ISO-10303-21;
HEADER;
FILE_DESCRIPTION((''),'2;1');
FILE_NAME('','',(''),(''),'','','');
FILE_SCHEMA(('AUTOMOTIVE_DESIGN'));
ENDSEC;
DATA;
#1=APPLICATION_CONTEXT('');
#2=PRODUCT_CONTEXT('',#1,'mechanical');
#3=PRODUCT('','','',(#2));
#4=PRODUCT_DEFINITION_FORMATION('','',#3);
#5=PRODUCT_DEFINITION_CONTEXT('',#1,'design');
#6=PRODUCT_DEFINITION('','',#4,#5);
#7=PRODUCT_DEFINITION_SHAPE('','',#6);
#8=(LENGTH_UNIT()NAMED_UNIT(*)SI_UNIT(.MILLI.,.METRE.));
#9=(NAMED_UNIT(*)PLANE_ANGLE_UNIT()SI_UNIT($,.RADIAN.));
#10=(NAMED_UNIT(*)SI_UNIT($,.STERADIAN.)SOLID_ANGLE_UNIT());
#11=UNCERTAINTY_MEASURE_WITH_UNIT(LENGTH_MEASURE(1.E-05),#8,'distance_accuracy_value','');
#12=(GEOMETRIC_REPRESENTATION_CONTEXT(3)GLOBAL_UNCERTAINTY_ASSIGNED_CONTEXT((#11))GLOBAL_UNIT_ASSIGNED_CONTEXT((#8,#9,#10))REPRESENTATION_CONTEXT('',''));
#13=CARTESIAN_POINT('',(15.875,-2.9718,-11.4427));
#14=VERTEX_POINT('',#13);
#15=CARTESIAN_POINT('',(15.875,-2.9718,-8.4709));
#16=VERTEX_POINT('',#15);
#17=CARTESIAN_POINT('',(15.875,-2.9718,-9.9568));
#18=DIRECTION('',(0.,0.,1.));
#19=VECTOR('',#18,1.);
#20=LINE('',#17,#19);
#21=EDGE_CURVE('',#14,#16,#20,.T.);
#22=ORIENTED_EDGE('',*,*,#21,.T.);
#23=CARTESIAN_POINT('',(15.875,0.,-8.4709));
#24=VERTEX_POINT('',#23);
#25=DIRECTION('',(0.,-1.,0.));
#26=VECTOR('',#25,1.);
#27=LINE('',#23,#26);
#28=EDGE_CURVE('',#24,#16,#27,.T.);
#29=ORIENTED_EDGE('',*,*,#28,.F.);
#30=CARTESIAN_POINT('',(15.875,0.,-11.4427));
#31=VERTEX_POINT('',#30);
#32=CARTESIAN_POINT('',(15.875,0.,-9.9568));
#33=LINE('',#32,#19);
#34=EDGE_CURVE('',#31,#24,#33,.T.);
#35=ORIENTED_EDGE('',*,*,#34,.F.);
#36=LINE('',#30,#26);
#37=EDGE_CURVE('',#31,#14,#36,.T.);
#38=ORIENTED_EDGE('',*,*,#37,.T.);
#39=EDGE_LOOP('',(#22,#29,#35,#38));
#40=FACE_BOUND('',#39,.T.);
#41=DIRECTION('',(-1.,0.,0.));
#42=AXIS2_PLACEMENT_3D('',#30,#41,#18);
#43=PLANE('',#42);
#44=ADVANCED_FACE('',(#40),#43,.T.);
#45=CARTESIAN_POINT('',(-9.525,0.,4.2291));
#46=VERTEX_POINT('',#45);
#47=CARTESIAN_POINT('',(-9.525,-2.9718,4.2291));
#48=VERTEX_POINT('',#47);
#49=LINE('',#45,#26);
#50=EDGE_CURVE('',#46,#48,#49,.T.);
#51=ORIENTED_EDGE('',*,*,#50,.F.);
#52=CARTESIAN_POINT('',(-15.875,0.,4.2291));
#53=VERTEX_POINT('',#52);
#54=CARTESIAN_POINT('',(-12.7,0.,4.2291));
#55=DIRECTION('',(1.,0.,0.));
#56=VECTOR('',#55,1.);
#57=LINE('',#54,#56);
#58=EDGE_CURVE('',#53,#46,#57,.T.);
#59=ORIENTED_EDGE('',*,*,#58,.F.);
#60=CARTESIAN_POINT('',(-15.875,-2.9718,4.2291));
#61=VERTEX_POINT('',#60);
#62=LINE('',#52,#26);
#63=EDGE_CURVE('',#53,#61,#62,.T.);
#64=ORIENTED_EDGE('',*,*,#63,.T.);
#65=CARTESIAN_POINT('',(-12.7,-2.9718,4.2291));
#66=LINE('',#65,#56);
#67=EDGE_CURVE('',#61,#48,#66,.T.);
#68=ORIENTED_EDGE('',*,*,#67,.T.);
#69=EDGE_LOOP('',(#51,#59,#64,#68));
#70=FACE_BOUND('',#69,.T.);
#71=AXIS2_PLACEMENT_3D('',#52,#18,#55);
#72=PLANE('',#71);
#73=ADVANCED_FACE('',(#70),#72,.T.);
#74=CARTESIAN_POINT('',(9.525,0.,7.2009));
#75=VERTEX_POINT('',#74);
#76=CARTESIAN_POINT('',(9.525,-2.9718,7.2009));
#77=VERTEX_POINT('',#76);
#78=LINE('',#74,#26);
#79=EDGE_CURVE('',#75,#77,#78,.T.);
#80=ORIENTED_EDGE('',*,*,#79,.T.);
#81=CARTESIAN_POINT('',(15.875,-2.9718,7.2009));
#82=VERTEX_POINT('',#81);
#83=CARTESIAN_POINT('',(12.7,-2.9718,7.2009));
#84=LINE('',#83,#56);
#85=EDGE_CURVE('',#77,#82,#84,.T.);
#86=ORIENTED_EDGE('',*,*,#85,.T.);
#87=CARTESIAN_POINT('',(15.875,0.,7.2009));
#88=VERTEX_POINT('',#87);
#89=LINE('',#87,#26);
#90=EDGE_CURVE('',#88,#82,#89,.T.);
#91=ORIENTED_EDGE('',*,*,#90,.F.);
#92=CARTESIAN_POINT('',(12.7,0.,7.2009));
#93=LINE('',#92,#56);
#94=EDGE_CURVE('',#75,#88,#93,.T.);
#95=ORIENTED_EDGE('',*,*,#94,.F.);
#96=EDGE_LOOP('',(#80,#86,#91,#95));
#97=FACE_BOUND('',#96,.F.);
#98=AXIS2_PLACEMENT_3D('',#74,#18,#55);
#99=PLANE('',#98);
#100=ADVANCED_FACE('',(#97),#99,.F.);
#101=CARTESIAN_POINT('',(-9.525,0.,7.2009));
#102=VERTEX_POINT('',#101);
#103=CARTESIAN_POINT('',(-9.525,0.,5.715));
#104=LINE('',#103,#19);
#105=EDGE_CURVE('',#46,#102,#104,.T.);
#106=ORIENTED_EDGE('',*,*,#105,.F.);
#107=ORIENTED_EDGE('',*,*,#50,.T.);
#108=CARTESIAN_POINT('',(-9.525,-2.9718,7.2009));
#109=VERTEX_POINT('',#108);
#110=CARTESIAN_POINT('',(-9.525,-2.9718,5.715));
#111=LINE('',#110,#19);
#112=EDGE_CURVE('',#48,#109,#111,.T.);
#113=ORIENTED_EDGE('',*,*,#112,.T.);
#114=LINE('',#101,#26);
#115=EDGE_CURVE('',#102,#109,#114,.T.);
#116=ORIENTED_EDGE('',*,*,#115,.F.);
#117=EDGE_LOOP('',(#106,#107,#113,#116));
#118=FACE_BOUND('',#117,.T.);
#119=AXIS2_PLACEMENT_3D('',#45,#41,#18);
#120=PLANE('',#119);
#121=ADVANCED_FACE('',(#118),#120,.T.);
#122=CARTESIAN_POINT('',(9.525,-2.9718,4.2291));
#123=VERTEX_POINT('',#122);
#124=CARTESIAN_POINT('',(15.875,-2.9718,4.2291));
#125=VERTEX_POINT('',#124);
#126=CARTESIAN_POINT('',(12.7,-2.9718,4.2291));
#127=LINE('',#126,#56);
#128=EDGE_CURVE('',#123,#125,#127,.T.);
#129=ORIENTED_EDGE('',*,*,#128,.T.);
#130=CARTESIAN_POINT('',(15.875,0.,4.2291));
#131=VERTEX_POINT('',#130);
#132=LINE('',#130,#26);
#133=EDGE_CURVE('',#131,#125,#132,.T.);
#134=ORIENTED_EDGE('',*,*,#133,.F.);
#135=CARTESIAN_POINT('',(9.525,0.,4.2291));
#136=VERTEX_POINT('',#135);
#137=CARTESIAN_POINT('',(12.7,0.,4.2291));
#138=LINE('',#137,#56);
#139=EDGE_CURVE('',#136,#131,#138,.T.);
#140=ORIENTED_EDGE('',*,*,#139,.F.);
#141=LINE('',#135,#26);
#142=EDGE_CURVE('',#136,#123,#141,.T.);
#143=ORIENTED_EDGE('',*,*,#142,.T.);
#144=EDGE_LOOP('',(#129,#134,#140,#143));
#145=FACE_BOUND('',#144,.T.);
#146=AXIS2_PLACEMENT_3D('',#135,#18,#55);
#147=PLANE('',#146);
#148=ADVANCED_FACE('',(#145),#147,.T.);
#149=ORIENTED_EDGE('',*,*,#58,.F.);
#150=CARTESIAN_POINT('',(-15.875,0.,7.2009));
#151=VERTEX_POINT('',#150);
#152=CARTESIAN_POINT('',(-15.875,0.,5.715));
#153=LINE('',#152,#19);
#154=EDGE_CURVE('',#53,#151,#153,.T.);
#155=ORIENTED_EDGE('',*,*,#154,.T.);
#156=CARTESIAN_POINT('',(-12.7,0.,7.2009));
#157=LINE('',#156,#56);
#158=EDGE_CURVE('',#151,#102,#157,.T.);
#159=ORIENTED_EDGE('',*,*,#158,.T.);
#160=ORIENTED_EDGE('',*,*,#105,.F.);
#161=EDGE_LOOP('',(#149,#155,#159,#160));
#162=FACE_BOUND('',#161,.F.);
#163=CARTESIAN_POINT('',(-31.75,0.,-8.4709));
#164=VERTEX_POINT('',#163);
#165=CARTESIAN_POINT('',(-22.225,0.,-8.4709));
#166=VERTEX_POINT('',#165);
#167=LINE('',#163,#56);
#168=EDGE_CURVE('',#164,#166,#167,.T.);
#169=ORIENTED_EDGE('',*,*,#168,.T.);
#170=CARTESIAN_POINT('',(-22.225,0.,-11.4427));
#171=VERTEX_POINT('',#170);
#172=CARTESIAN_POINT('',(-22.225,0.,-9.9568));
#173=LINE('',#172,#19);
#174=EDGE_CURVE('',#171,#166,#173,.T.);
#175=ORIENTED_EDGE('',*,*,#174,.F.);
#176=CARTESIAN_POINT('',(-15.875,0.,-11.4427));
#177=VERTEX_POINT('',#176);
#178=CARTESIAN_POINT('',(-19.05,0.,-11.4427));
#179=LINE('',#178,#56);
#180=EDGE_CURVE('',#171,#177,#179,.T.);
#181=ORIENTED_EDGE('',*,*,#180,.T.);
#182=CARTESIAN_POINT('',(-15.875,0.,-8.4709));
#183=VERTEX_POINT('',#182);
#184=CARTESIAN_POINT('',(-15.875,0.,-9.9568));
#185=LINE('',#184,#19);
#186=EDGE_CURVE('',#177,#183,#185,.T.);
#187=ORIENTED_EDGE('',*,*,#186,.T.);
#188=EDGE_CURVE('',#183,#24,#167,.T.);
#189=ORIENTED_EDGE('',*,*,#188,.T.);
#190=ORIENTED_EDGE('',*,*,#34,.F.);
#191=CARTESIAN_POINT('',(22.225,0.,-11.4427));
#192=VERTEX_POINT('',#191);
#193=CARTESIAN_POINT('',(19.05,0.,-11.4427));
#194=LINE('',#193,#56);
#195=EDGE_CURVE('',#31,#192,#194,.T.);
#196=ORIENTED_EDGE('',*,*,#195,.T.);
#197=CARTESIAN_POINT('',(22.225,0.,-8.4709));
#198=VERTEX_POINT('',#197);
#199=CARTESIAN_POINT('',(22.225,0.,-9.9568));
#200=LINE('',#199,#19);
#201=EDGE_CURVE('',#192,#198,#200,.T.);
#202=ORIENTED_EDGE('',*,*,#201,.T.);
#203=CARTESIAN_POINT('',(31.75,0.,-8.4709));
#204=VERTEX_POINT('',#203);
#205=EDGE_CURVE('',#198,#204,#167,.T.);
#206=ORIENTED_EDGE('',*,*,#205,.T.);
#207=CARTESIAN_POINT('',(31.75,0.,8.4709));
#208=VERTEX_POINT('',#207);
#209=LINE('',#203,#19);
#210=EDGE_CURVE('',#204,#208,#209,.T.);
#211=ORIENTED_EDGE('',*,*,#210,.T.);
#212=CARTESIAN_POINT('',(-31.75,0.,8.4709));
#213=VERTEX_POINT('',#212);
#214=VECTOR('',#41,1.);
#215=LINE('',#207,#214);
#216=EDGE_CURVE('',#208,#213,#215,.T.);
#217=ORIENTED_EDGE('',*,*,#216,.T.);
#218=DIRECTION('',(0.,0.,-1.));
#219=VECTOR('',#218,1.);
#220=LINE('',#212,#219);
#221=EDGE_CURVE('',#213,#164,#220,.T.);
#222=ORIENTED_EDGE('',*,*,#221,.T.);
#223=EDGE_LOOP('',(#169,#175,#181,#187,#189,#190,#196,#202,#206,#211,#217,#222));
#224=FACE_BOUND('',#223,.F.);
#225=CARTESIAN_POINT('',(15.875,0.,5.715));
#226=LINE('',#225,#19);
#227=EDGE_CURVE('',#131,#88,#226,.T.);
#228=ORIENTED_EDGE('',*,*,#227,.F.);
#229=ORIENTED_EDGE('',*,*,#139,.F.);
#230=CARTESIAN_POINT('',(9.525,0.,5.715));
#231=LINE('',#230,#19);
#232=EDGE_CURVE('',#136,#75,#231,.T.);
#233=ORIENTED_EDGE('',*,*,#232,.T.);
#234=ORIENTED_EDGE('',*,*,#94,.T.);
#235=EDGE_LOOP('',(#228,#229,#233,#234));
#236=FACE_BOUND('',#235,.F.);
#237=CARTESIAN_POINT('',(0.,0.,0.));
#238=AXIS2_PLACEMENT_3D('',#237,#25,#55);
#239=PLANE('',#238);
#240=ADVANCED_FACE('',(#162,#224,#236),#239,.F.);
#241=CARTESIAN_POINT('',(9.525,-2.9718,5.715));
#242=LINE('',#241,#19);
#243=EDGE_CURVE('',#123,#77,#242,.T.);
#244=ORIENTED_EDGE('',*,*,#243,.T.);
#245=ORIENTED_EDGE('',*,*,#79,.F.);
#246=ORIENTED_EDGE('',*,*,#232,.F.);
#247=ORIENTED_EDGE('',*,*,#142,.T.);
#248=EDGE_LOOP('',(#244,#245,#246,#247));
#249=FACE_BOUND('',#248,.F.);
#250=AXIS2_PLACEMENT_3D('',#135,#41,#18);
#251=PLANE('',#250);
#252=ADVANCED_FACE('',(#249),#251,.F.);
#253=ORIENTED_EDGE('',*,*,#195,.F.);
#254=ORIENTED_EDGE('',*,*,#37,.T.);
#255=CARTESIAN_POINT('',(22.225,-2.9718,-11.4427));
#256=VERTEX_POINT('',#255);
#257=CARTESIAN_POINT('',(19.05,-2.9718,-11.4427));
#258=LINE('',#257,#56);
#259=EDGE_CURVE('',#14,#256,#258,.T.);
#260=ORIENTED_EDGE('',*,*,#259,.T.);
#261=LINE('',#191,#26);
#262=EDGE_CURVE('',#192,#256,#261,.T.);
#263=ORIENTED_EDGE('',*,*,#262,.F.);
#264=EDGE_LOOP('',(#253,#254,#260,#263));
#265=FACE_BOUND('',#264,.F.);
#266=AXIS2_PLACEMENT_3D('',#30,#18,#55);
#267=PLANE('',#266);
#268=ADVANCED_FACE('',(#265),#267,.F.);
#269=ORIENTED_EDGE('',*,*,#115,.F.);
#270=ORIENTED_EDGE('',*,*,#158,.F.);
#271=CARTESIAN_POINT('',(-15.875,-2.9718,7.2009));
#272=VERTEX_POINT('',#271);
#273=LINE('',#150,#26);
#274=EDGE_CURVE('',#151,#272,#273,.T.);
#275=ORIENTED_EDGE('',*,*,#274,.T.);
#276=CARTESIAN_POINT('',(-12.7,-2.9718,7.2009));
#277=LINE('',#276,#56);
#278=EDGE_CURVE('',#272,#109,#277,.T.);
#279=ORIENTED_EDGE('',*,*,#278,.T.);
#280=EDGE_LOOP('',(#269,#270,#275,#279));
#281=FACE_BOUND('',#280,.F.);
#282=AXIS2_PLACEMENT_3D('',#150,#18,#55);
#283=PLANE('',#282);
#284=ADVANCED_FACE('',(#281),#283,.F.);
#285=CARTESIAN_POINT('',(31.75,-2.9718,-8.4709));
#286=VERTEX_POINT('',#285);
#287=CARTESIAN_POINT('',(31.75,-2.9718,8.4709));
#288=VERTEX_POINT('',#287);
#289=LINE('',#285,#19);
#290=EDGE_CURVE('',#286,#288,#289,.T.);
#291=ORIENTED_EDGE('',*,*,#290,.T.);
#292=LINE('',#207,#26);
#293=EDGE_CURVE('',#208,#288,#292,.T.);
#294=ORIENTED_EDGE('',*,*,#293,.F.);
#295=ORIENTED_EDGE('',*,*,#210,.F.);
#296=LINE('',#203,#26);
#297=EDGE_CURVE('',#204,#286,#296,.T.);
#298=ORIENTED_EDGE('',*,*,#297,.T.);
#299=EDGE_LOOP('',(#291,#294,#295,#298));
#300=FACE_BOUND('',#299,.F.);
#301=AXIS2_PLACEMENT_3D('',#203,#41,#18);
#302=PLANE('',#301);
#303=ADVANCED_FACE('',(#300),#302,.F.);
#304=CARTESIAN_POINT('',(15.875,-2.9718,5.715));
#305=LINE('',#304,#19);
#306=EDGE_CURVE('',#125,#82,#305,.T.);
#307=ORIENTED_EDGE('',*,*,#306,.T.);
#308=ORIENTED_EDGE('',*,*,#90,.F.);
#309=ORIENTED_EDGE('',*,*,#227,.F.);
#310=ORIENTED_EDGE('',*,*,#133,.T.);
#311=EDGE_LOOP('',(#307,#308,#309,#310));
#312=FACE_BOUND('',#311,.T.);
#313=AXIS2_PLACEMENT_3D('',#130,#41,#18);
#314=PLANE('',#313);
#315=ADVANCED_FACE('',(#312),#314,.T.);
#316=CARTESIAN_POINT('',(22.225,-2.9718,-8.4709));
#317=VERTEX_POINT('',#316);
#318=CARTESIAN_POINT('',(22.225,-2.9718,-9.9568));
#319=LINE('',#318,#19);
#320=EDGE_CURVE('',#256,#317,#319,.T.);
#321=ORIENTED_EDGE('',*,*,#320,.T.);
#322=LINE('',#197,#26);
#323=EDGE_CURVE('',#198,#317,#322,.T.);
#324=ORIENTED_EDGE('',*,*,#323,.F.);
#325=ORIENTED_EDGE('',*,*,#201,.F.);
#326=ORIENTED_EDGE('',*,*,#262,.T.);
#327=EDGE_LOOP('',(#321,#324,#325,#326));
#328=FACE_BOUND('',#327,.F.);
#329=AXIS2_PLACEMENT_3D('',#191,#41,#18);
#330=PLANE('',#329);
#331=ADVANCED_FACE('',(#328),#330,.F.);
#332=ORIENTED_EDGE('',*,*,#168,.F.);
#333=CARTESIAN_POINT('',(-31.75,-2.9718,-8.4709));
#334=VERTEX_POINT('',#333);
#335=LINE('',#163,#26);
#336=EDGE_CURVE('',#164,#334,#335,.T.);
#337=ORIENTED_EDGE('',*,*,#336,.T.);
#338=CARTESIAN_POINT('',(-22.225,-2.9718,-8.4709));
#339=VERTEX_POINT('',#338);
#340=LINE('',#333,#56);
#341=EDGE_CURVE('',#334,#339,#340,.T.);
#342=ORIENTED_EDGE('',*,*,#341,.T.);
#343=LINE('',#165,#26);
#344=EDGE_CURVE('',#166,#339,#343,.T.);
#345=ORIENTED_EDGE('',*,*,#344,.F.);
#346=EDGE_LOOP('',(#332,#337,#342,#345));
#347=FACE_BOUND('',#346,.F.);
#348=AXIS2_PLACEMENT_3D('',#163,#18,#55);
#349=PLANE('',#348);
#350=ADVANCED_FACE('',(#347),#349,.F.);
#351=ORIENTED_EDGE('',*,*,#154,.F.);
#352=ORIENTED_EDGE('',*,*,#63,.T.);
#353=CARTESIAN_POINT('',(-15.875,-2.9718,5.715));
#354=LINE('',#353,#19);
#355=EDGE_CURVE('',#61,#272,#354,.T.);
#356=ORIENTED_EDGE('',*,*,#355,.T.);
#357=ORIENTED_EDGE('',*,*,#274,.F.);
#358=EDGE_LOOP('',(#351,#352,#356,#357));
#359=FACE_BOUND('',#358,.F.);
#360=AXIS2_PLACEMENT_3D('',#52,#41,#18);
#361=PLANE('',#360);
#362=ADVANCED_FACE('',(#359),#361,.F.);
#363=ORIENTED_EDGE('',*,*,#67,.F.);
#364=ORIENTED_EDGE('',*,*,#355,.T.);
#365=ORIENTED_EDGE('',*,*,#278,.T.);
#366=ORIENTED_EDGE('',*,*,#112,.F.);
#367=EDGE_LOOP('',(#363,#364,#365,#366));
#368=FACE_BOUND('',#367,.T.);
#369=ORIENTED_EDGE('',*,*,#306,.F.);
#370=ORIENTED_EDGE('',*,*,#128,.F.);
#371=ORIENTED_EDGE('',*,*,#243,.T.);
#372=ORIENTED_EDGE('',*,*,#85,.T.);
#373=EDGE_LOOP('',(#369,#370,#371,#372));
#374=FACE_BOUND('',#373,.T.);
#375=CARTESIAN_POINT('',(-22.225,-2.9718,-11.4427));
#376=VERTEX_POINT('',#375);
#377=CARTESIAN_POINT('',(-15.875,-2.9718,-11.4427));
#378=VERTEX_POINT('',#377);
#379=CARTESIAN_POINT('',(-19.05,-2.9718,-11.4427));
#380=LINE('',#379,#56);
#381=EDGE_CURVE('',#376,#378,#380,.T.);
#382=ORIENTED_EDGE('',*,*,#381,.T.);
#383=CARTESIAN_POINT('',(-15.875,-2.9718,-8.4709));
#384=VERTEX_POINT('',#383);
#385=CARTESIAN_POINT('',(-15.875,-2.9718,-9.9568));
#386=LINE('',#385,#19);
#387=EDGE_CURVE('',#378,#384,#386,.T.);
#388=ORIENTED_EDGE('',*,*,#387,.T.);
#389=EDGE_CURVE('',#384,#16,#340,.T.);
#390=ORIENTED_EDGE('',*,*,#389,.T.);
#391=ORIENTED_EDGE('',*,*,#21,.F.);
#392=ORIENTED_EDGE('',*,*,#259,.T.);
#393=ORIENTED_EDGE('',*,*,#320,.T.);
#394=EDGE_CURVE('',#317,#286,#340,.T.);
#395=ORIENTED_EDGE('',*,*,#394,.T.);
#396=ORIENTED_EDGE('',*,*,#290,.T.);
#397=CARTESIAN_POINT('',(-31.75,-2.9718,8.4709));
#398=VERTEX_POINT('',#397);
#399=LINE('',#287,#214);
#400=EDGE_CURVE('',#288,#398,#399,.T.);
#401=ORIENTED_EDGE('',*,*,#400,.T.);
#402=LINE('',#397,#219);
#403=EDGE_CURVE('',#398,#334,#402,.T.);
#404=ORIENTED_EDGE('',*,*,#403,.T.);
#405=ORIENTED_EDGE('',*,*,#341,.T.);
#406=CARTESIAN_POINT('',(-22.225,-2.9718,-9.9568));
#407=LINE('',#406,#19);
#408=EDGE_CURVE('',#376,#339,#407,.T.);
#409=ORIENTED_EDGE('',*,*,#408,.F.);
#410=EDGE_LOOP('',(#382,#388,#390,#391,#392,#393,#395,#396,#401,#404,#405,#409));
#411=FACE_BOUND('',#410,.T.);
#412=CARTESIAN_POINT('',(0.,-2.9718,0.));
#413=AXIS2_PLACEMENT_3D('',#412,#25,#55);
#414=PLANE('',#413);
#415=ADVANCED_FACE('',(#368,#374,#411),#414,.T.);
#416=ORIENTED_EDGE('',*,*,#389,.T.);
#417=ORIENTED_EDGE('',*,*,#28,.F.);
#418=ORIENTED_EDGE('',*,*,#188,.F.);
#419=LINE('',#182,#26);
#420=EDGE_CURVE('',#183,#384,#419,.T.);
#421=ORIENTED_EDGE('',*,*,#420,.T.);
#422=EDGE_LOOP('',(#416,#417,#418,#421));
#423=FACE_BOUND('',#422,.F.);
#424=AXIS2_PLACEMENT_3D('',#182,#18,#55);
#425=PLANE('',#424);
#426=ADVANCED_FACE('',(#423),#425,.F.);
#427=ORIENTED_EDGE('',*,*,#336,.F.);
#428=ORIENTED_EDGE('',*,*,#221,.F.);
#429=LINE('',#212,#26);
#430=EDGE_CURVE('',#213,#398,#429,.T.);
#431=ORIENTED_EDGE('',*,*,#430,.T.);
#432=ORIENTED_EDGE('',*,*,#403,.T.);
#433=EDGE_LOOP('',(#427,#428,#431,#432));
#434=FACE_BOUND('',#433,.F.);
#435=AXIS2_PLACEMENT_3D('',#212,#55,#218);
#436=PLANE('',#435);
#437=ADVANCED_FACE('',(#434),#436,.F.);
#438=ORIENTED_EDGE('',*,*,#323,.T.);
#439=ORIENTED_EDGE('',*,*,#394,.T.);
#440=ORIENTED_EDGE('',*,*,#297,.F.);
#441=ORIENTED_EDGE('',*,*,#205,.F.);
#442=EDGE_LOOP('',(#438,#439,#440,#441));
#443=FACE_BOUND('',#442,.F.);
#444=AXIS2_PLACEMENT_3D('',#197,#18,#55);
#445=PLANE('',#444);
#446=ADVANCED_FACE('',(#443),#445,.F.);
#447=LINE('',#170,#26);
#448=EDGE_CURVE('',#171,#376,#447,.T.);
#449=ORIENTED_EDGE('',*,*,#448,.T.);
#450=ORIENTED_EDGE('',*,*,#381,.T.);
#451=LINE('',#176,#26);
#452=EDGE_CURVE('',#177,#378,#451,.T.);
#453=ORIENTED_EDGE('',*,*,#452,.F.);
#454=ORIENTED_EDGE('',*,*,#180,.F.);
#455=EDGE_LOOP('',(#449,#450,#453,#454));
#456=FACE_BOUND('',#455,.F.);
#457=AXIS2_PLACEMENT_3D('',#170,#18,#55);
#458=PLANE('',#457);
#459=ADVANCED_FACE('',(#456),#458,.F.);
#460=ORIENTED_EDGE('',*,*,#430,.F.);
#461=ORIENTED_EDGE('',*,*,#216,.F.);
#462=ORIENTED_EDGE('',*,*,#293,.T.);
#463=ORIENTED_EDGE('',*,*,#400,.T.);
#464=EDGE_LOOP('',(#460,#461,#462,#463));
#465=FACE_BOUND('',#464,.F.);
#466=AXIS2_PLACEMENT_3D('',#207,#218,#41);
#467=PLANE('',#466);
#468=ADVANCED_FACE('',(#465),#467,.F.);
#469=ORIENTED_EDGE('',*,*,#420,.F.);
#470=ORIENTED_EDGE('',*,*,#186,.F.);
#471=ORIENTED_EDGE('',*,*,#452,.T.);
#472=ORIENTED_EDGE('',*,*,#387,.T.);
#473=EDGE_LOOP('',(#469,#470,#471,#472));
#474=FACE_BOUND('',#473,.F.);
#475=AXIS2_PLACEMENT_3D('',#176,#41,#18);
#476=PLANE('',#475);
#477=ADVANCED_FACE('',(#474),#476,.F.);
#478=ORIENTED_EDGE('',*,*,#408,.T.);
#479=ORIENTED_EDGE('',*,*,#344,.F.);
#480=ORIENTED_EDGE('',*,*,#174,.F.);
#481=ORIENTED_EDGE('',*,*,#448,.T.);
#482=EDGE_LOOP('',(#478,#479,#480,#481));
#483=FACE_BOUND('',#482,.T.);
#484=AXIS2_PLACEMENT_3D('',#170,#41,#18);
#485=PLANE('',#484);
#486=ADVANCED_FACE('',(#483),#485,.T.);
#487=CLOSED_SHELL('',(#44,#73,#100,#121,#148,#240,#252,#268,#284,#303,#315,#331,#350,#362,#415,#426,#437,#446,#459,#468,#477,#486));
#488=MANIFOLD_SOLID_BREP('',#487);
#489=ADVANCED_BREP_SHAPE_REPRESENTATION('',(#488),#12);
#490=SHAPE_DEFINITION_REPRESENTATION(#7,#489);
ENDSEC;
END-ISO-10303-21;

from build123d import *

# Parameters (mm, degrees)
F0_W     = 6.35
F0_H     = 2.9718
F1_DEPTH = 2.9718


with BuildPart() as f1:
    # F0 (on Front) → F1 (new body)
    with BuildSketch(Plane.XZ):
        Polygon((31.75, -8.4709), (31.75, 8.4709), (-31.75, 8.4709), (-31.75, -8.4709), (-22.225, -8.4709), (-15.875, -8.4709), (15.875, -8.4709), (22.225, -8.4709), align=None)
        with Locations((-12.7, 5.715)):
            Rectangle(F0_W, F0_H, mode=Mode.SUBTRACT)
        with Locations((12.7, 5.715)):
            Rectangle(F0_W, F0_H, mode=Mode.SUBTRACT)
        with Locations((19.05, -9.9568)):
            Rectangle(F0_W, F0_H)
        with Locations((-19.05, -9.9568)):
            Rectangle(F0_W, F0_H)
    extrude(amount=F1_DEPTH)


solid = f1.part
